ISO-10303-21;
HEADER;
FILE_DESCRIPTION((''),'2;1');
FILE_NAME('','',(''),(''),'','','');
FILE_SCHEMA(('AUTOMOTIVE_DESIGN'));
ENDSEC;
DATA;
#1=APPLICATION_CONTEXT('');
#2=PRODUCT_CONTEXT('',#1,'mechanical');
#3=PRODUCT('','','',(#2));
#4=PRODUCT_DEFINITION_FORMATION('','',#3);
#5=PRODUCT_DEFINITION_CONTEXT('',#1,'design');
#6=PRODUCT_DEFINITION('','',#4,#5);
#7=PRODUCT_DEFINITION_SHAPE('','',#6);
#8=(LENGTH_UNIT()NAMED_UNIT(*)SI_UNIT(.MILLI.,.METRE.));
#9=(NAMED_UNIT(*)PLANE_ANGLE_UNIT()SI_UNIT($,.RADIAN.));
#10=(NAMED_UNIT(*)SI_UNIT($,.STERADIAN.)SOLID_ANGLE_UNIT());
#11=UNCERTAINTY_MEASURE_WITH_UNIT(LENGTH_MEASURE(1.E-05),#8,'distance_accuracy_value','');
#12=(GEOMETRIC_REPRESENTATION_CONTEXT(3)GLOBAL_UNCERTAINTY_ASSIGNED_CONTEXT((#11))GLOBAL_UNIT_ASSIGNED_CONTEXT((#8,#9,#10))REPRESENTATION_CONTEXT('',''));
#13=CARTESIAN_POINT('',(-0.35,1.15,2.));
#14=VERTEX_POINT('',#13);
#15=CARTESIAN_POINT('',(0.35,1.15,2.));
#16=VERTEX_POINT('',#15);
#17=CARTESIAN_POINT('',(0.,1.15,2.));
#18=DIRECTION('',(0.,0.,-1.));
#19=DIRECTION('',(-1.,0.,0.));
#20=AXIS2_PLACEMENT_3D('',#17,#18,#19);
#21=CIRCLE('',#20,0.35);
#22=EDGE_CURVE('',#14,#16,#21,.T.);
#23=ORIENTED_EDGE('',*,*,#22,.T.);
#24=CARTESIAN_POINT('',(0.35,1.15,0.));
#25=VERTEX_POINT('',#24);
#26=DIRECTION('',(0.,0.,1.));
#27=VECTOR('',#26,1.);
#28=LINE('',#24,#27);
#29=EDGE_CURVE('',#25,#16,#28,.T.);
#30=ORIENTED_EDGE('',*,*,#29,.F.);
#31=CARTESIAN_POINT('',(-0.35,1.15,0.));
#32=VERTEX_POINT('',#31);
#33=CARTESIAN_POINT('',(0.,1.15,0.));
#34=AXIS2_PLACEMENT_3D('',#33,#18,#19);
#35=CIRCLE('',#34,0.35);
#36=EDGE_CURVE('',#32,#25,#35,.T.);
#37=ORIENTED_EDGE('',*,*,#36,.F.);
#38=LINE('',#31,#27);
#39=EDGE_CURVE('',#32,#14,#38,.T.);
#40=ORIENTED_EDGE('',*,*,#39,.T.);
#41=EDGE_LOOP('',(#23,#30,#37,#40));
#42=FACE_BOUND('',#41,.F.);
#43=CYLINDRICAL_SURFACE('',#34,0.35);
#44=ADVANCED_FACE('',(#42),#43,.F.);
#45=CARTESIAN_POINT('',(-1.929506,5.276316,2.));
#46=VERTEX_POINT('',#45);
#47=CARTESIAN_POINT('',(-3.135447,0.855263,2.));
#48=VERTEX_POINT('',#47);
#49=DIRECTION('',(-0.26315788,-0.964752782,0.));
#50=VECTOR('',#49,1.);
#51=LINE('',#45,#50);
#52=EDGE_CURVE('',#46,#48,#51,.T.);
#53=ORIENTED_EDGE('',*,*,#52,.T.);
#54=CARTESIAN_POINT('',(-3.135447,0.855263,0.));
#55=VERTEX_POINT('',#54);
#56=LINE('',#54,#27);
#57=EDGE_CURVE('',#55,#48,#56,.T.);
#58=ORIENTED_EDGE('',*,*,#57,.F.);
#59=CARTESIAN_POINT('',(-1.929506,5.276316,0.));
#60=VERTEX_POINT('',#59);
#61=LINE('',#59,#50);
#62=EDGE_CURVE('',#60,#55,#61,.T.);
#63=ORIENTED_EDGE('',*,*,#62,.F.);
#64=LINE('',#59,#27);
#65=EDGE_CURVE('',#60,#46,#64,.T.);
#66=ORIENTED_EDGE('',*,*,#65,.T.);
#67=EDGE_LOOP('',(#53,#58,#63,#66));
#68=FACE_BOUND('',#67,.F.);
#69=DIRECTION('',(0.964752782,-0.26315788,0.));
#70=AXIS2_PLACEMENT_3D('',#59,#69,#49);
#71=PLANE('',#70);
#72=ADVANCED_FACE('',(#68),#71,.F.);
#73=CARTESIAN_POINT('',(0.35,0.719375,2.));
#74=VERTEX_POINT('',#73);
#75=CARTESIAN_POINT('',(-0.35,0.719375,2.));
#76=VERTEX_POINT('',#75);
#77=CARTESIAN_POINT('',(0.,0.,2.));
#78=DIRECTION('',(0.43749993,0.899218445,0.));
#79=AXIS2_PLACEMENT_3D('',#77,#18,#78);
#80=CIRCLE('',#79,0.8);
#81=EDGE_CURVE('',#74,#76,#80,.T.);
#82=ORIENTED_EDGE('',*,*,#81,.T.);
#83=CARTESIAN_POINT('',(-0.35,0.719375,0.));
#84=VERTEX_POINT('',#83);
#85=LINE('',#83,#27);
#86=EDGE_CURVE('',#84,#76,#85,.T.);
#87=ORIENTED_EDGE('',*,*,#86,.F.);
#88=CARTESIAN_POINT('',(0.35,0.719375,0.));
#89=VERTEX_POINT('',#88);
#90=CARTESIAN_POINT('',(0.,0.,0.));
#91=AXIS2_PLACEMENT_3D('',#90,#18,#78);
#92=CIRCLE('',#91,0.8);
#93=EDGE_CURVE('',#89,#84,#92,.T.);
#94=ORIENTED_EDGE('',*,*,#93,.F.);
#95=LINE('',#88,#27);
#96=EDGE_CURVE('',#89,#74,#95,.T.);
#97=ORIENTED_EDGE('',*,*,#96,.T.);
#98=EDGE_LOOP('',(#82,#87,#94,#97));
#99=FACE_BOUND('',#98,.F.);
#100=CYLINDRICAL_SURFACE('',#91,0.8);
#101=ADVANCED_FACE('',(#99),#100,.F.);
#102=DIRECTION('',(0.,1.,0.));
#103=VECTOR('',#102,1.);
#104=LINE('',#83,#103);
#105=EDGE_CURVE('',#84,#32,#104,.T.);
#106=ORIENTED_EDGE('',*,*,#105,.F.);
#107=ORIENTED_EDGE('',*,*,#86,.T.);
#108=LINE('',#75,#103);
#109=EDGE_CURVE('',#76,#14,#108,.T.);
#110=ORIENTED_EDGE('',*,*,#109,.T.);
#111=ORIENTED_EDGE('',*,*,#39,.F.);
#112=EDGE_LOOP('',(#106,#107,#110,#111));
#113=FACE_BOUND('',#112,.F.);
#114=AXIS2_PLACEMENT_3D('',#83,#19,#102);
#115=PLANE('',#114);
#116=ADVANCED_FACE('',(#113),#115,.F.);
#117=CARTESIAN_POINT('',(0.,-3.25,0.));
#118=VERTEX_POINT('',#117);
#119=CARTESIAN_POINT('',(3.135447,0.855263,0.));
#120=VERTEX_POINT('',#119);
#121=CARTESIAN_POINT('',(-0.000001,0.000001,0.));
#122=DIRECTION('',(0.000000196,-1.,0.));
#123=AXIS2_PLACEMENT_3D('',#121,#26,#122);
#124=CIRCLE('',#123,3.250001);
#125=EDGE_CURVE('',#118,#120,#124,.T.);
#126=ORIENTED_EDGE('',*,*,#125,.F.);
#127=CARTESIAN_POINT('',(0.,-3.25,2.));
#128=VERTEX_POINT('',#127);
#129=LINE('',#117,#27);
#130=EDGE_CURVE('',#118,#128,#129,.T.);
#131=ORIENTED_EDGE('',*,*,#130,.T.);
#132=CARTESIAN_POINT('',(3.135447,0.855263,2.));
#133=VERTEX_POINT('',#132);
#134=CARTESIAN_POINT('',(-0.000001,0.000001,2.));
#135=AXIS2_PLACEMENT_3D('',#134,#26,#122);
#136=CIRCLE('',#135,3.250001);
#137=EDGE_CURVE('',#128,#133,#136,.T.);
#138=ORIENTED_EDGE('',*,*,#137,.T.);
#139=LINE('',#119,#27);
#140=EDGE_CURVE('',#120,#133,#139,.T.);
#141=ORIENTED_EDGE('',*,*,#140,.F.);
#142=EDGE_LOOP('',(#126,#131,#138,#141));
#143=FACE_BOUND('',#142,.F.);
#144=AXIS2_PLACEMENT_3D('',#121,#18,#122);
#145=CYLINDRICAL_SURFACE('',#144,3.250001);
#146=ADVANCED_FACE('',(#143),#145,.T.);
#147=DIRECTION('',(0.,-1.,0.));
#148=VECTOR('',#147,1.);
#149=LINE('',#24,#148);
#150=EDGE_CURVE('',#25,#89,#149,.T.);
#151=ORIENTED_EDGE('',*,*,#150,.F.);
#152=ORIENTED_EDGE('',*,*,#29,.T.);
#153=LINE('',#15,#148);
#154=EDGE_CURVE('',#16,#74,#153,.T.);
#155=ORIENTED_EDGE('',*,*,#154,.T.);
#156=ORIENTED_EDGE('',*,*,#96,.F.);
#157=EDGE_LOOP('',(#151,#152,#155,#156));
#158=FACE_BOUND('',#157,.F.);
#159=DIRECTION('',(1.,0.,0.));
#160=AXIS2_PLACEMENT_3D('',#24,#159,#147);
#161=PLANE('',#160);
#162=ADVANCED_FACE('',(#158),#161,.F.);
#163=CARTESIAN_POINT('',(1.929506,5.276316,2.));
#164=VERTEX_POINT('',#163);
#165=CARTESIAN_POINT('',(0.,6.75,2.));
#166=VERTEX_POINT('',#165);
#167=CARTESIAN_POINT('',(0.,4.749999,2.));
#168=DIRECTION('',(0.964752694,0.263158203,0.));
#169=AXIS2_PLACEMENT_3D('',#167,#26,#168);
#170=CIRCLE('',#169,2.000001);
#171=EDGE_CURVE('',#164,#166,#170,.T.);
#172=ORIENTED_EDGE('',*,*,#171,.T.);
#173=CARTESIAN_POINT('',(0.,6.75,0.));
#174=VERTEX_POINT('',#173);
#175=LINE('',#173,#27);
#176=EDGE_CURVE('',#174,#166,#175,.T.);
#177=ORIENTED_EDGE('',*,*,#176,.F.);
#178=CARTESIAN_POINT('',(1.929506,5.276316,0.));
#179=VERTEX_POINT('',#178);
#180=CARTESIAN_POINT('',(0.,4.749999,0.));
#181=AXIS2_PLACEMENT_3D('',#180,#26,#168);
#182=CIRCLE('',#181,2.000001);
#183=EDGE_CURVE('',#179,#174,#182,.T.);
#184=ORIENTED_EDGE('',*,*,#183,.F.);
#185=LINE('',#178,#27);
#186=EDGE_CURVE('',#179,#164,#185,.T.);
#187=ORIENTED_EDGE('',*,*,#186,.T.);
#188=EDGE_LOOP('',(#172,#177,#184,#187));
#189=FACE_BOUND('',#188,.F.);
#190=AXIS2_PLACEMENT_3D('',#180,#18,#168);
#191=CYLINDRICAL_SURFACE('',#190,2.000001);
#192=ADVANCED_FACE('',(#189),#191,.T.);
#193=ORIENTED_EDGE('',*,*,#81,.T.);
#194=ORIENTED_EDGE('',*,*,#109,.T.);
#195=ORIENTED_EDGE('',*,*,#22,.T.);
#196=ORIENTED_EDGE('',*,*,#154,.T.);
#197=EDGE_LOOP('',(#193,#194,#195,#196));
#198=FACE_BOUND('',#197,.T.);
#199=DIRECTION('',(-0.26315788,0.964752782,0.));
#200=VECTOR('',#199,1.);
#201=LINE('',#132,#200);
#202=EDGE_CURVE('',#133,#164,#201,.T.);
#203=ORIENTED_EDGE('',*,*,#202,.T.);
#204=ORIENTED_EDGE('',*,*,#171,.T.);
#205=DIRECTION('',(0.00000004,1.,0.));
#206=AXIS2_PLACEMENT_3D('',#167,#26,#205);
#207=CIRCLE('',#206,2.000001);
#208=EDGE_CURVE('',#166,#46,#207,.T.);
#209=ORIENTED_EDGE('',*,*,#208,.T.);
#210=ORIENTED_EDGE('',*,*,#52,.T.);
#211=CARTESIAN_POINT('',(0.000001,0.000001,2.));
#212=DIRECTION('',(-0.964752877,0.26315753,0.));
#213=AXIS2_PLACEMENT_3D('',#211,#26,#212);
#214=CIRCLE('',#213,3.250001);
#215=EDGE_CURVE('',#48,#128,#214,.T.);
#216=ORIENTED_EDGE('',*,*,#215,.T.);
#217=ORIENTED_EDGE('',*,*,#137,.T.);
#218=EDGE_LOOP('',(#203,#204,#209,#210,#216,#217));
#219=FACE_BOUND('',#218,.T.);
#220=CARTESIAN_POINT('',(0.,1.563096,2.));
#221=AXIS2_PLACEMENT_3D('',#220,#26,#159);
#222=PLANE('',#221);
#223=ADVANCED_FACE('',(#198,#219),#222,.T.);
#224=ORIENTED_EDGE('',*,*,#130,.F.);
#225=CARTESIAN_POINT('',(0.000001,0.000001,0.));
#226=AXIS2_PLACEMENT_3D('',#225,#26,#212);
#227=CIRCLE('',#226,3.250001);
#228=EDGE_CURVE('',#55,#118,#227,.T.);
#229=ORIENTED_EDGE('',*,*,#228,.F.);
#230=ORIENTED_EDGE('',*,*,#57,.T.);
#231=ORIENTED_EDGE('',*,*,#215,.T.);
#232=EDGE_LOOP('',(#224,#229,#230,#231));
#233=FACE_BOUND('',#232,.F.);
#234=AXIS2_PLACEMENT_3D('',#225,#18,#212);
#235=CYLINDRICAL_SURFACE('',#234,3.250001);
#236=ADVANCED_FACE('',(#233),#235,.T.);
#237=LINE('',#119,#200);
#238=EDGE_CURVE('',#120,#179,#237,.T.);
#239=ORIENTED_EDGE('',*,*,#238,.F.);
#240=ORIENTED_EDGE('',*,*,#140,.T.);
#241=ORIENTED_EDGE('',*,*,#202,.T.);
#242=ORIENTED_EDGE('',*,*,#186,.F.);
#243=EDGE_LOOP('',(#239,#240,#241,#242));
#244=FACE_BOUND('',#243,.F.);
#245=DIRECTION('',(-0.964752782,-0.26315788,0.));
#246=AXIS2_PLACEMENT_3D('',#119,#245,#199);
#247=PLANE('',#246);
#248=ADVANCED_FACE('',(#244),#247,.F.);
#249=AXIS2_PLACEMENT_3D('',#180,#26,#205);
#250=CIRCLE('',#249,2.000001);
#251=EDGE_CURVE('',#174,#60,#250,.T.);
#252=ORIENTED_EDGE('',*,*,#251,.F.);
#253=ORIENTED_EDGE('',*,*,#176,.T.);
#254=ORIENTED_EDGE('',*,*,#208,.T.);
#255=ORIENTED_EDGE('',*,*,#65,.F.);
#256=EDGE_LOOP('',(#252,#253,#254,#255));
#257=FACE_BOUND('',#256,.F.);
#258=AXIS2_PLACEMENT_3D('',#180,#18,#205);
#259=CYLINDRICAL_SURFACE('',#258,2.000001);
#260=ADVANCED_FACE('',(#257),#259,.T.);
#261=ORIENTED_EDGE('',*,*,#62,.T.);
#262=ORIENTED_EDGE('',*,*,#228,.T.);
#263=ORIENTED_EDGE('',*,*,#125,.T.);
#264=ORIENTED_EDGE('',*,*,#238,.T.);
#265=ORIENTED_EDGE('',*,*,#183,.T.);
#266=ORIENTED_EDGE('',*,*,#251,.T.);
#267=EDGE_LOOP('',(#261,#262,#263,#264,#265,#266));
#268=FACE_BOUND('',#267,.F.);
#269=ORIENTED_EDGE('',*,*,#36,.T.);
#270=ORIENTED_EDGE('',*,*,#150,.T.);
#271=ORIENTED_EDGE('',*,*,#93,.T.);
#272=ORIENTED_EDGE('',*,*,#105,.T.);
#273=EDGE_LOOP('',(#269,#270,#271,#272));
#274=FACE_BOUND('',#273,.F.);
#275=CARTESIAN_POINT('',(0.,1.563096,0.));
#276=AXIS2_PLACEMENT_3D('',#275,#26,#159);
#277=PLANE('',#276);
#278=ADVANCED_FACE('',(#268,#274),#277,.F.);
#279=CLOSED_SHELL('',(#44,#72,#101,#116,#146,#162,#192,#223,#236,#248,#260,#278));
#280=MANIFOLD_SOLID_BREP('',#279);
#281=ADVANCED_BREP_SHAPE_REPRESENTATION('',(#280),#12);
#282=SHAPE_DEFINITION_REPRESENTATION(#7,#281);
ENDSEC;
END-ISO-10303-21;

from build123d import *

# Parameters (mm, degrees)
F1_DEPTH = 2


with BuildPart() as f1:
    # F0 (on Top) → F1 (new body)
    with BuildSketch(Plane.XY):
        with BuildLine():
            ThreePointArc((1.929506, 5.276316), (1.213954, 6.339439), (0, 6.75))
            ThreePointArc((0, 6.75), (-1.213954, 6.339439), (-1.929506, 5.276316))
            Line((-1.929506, 5.276316), (-3.135447, 0.855263))
            ThreePointArc((-3.135447, 0.855263), (-2.582838, -1.972675), (0, -3.25))
            ThreePointArc((0, -3.25), (2.582838, -1.972675), (3.135447, 0.855263))
            Line((3.135447, 0.855263), (1.929506, 5.276316))
        make_face()
        with BuildLine():
            ThreePointArc((0.35, 0.719375), (0, -0.8), (-0.35, 0.719375))
            Line((-0.35, 0.719375), (-0.35, 1.15))
            ThreePointArc((-0.35, 1.15), (0, 1.5), (0.35, 1.15))
            Line((0.35, 1.15), (0.35, 0.719375))
        make_face(mode=Mode.SUBTRACT)
    extrude(amount=F1_DEPTH)


solid = f1.part
